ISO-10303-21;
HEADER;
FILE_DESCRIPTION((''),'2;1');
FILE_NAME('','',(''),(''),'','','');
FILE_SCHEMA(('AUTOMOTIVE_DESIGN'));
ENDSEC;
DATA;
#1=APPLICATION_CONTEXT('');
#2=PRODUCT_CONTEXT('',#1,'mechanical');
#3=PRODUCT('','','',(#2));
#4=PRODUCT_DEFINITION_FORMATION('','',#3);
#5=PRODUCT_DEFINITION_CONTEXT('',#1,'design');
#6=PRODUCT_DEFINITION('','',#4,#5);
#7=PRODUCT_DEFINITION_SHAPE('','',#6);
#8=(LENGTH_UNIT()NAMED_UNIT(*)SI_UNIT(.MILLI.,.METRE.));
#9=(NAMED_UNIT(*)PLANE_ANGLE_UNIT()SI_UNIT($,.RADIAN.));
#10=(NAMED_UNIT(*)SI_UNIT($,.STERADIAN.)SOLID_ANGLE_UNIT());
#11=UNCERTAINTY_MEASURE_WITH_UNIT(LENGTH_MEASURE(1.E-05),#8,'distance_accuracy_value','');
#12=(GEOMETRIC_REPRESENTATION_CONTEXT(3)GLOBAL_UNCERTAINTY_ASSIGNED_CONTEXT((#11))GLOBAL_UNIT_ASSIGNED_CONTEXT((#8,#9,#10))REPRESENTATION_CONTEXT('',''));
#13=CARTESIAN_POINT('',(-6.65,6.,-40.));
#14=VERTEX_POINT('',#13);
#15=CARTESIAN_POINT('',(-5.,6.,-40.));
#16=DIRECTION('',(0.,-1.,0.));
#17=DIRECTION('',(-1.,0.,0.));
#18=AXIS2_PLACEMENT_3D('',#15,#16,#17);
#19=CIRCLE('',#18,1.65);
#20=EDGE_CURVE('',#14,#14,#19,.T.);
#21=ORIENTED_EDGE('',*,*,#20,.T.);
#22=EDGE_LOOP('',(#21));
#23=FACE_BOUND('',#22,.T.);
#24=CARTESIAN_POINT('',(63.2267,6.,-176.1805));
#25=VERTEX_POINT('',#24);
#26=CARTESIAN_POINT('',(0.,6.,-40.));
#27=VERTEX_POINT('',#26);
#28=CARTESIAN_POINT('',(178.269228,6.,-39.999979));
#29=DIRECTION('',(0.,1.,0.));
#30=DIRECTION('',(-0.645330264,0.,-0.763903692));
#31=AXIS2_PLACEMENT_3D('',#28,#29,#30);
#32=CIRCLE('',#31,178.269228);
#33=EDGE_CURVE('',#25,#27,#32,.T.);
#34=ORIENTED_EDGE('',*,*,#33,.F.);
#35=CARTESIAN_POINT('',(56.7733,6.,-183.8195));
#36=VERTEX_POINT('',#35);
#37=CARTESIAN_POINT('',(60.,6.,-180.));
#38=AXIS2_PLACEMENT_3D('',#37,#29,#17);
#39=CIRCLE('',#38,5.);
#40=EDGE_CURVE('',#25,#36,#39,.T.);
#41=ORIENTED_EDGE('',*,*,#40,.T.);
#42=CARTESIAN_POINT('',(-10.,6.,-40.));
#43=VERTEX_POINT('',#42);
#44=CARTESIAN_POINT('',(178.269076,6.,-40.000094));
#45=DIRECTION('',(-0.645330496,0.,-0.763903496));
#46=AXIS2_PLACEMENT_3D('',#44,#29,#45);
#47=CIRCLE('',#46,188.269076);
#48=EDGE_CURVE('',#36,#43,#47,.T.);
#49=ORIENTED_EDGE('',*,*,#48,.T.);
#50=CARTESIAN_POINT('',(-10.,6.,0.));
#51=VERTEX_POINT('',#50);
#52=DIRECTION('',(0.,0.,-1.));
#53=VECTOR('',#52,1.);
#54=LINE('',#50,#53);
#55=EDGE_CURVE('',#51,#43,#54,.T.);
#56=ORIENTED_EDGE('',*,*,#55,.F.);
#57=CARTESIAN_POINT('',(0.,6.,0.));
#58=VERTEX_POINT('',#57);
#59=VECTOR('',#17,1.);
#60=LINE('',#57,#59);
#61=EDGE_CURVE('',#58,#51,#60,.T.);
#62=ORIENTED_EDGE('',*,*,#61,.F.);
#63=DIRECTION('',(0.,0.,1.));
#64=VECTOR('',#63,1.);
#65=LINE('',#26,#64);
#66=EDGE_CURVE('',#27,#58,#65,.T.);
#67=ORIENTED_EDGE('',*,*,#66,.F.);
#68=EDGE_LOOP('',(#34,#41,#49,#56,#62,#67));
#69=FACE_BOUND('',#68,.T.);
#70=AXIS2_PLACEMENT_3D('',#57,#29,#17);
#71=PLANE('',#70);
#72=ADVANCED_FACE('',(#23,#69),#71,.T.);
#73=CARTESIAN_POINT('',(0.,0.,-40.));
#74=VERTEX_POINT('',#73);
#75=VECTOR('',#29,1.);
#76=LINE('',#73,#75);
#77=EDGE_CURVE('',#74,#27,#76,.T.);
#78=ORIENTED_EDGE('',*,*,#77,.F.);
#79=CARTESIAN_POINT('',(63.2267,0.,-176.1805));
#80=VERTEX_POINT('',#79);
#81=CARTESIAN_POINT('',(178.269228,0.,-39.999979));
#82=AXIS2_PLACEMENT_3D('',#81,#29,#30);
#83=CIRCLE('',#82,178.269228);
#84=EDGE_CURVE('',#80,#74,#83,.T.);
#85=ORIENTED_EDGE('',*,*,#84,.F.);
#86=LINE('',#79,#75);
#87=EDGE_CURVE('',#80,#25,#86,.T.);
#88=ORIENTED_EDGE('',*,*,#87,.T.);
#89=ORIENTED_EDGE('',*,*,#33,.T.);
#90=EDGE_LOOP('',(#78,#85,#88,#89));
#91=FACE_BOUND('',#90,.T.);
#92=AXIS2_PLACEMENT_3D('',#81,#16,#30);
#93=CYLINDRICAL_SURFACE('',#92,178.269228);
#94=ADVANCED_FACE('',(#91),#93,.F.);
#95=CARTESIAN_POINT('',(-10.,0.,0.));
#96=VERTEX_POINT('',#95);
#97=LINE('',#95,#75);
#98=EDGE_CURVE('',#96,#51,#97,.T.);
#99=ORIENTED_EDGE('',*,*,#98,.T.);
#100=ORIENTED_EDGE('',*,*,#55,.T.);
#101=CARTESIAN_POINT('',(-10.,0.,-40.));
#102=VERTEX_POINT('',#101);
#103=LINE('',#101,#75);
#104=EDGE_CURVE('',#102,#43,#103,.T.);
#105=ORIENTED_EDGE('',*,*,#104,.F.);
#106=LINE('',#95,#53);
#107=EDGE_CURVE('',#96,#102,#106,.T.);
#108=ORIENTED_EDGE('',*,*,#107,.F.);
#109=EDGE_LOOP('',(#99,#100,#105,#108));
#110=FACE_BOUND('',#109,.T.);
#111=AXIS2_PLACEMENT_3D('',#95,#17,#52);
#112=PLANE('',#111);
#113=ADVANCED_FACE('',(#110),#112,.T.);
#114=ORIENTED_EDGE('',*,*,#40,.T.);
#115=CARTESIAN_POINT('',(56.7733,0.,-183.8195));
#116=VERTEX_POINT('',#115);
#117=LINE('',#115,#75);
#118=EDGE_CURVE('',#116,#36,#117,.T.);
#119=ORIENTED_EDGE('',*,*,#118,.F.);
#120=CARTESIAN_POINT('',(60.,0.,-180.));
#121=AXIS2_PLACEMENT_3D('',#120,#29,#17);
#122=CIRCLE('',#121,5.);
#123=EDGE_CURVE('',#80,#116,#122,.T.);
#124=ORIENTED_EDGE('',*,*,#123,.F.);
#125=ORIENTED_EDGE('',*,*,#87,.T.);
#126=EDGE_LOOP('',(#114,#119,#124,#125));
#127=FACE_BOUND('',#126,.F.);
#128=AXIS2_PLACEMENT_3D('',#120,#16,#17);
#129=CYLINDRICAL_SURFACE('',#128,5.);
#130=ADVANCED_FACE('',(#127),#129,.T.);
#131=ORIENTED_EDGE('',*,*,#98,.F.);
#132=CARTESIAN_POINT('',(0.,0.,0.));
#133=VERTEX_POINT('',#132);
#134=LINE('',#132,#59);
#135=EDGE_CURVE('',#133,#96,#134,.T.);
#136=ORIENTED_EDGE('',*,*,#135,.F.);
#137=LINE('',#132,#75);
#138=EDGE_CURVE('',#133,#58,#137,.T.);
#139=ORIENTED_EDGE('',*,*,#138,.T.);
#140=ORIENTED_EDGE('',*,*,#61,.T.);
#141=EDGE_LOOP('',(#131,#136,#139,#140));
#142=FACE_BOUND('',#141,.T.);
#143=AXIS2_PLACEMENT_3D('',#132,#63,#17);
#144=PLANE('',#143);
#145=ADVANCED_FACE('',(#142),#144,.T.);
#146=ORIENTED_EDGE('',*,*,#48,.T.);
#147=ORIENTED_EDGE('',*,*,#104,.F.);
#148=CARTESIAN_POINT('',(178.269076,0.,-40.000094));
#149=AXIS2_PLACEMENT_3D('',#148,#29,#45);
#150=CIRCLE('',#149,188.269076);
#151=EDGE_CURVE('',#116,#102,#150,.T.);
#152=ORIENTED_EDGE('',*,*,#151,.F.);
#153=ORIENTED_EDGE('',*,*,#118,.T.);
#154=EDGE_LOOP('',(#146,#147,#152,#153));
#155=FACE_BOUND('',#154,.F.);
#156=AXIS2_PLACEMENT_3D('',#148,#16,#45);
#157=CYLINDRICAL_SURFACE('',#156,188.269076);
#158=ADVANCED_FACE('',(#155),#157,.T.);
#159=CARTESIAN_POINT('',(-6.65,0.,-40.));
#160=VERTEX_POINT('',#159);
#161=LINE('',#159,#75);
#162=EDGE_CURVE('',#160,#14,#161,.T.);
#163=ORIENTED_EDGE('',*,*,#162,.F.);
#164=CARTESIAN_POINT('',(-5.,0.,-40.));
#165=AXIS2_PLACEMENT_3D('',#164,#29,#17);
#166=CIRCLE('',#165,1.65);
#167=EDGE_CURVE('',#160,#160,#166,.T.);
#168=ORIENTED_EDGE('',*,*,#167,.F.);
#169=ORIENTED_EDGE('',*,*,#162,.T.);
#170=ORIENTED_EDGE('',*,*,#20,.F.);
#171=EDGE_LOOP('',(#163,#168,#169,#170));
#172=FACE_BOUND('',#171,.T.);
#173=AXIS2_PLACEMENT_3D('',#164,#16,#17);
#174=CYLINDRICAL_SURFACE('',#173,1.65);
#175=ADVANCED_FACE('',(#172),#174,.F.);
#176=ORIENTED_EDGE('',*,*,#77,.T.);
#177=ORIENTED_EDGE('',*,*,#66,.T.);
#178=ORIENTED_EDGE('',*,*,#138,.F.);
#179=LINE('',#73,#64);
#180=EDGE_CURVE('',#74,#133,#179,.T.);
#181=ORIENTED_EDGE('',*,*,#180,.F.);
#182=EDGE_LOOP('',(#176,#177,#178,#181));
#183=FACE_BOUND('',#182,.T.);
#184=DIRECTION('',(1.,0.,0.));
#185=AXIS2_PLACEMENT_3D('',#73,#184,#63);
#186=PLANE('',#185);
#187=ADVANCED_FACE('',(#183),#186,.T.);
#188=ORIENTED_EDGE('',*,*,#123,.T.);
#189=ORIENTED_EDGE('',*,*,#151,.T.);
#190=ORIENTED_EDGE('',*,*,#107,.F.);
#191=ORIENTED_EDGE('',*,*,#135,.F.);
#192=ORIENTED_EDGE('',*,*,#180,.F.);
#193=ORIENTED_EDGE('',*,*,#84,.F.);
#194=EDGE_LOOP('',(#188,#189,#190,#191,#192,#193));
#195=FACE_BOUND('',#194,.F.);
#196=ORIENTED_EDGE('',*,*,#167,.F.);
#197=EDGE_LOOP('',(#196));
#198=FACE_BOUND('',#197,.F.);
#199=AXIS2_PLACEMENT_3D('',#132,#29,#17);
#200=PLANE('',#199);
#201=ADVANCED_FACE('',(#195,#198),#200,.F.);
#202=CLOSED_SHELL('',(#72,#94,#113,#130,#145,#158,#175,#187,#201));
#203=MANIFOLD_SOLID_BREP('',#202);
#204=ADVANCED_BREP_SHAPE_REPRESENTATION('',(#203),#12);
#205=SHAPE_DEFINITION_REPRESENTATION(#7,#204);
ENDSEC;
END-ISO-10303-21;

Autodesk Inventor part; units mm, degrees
ref_plane "YZ Plane" through (0, 0, 0) normal (1, 0, 0) x (0, 1, 0)
ref_plane "XZ Plane" through (0, 0, 0) normal (0, 1, 0) x (-1, 0, 0)
ref_plane "XY Plane" through (0, 0, 0) normal (0, 0, 1) x (1, 0, 0)
sketch "Sketch1" plane through (0, 0, 0) normal (0, 1, 0) x (-1, 0, 0)
  line L0 (0, 0) -> (10, 0)
  line L1 (10, 0) -> (10, -40)
  line L2 (10, -40) -> (0, -40)
  line L3 (0, -40) -> (0, 0)
  circle A0 centre (5, -40) radius 5
  arc A1 (-63.2267, -176.1805) -> (0, -40) centre (-178.2692, -40) ccw
  arc A2 (-56.7733, -183.8195) -> (10, -40) centre (-178.2692, -40) ccw
  circle A3 centre (-60, -180) radius 5
  circle A4 centre (5, -40) radius 1.65
  dimension "d1" = 10
  dimension "d0" = 10
  dimension "d3" = 40
  dimension "d4" = 10
  dimension "d6" = 180
  dimension "d7" = 60
  dimension "d8" = 3.3
extrude "Extrusion1" add sketch "Sketch1" along normal blind 6 contours L0 L1 A0 L3 | A0 L2 A4 | L2 A4 A0 | A0 A2 A3 A1 | A3
